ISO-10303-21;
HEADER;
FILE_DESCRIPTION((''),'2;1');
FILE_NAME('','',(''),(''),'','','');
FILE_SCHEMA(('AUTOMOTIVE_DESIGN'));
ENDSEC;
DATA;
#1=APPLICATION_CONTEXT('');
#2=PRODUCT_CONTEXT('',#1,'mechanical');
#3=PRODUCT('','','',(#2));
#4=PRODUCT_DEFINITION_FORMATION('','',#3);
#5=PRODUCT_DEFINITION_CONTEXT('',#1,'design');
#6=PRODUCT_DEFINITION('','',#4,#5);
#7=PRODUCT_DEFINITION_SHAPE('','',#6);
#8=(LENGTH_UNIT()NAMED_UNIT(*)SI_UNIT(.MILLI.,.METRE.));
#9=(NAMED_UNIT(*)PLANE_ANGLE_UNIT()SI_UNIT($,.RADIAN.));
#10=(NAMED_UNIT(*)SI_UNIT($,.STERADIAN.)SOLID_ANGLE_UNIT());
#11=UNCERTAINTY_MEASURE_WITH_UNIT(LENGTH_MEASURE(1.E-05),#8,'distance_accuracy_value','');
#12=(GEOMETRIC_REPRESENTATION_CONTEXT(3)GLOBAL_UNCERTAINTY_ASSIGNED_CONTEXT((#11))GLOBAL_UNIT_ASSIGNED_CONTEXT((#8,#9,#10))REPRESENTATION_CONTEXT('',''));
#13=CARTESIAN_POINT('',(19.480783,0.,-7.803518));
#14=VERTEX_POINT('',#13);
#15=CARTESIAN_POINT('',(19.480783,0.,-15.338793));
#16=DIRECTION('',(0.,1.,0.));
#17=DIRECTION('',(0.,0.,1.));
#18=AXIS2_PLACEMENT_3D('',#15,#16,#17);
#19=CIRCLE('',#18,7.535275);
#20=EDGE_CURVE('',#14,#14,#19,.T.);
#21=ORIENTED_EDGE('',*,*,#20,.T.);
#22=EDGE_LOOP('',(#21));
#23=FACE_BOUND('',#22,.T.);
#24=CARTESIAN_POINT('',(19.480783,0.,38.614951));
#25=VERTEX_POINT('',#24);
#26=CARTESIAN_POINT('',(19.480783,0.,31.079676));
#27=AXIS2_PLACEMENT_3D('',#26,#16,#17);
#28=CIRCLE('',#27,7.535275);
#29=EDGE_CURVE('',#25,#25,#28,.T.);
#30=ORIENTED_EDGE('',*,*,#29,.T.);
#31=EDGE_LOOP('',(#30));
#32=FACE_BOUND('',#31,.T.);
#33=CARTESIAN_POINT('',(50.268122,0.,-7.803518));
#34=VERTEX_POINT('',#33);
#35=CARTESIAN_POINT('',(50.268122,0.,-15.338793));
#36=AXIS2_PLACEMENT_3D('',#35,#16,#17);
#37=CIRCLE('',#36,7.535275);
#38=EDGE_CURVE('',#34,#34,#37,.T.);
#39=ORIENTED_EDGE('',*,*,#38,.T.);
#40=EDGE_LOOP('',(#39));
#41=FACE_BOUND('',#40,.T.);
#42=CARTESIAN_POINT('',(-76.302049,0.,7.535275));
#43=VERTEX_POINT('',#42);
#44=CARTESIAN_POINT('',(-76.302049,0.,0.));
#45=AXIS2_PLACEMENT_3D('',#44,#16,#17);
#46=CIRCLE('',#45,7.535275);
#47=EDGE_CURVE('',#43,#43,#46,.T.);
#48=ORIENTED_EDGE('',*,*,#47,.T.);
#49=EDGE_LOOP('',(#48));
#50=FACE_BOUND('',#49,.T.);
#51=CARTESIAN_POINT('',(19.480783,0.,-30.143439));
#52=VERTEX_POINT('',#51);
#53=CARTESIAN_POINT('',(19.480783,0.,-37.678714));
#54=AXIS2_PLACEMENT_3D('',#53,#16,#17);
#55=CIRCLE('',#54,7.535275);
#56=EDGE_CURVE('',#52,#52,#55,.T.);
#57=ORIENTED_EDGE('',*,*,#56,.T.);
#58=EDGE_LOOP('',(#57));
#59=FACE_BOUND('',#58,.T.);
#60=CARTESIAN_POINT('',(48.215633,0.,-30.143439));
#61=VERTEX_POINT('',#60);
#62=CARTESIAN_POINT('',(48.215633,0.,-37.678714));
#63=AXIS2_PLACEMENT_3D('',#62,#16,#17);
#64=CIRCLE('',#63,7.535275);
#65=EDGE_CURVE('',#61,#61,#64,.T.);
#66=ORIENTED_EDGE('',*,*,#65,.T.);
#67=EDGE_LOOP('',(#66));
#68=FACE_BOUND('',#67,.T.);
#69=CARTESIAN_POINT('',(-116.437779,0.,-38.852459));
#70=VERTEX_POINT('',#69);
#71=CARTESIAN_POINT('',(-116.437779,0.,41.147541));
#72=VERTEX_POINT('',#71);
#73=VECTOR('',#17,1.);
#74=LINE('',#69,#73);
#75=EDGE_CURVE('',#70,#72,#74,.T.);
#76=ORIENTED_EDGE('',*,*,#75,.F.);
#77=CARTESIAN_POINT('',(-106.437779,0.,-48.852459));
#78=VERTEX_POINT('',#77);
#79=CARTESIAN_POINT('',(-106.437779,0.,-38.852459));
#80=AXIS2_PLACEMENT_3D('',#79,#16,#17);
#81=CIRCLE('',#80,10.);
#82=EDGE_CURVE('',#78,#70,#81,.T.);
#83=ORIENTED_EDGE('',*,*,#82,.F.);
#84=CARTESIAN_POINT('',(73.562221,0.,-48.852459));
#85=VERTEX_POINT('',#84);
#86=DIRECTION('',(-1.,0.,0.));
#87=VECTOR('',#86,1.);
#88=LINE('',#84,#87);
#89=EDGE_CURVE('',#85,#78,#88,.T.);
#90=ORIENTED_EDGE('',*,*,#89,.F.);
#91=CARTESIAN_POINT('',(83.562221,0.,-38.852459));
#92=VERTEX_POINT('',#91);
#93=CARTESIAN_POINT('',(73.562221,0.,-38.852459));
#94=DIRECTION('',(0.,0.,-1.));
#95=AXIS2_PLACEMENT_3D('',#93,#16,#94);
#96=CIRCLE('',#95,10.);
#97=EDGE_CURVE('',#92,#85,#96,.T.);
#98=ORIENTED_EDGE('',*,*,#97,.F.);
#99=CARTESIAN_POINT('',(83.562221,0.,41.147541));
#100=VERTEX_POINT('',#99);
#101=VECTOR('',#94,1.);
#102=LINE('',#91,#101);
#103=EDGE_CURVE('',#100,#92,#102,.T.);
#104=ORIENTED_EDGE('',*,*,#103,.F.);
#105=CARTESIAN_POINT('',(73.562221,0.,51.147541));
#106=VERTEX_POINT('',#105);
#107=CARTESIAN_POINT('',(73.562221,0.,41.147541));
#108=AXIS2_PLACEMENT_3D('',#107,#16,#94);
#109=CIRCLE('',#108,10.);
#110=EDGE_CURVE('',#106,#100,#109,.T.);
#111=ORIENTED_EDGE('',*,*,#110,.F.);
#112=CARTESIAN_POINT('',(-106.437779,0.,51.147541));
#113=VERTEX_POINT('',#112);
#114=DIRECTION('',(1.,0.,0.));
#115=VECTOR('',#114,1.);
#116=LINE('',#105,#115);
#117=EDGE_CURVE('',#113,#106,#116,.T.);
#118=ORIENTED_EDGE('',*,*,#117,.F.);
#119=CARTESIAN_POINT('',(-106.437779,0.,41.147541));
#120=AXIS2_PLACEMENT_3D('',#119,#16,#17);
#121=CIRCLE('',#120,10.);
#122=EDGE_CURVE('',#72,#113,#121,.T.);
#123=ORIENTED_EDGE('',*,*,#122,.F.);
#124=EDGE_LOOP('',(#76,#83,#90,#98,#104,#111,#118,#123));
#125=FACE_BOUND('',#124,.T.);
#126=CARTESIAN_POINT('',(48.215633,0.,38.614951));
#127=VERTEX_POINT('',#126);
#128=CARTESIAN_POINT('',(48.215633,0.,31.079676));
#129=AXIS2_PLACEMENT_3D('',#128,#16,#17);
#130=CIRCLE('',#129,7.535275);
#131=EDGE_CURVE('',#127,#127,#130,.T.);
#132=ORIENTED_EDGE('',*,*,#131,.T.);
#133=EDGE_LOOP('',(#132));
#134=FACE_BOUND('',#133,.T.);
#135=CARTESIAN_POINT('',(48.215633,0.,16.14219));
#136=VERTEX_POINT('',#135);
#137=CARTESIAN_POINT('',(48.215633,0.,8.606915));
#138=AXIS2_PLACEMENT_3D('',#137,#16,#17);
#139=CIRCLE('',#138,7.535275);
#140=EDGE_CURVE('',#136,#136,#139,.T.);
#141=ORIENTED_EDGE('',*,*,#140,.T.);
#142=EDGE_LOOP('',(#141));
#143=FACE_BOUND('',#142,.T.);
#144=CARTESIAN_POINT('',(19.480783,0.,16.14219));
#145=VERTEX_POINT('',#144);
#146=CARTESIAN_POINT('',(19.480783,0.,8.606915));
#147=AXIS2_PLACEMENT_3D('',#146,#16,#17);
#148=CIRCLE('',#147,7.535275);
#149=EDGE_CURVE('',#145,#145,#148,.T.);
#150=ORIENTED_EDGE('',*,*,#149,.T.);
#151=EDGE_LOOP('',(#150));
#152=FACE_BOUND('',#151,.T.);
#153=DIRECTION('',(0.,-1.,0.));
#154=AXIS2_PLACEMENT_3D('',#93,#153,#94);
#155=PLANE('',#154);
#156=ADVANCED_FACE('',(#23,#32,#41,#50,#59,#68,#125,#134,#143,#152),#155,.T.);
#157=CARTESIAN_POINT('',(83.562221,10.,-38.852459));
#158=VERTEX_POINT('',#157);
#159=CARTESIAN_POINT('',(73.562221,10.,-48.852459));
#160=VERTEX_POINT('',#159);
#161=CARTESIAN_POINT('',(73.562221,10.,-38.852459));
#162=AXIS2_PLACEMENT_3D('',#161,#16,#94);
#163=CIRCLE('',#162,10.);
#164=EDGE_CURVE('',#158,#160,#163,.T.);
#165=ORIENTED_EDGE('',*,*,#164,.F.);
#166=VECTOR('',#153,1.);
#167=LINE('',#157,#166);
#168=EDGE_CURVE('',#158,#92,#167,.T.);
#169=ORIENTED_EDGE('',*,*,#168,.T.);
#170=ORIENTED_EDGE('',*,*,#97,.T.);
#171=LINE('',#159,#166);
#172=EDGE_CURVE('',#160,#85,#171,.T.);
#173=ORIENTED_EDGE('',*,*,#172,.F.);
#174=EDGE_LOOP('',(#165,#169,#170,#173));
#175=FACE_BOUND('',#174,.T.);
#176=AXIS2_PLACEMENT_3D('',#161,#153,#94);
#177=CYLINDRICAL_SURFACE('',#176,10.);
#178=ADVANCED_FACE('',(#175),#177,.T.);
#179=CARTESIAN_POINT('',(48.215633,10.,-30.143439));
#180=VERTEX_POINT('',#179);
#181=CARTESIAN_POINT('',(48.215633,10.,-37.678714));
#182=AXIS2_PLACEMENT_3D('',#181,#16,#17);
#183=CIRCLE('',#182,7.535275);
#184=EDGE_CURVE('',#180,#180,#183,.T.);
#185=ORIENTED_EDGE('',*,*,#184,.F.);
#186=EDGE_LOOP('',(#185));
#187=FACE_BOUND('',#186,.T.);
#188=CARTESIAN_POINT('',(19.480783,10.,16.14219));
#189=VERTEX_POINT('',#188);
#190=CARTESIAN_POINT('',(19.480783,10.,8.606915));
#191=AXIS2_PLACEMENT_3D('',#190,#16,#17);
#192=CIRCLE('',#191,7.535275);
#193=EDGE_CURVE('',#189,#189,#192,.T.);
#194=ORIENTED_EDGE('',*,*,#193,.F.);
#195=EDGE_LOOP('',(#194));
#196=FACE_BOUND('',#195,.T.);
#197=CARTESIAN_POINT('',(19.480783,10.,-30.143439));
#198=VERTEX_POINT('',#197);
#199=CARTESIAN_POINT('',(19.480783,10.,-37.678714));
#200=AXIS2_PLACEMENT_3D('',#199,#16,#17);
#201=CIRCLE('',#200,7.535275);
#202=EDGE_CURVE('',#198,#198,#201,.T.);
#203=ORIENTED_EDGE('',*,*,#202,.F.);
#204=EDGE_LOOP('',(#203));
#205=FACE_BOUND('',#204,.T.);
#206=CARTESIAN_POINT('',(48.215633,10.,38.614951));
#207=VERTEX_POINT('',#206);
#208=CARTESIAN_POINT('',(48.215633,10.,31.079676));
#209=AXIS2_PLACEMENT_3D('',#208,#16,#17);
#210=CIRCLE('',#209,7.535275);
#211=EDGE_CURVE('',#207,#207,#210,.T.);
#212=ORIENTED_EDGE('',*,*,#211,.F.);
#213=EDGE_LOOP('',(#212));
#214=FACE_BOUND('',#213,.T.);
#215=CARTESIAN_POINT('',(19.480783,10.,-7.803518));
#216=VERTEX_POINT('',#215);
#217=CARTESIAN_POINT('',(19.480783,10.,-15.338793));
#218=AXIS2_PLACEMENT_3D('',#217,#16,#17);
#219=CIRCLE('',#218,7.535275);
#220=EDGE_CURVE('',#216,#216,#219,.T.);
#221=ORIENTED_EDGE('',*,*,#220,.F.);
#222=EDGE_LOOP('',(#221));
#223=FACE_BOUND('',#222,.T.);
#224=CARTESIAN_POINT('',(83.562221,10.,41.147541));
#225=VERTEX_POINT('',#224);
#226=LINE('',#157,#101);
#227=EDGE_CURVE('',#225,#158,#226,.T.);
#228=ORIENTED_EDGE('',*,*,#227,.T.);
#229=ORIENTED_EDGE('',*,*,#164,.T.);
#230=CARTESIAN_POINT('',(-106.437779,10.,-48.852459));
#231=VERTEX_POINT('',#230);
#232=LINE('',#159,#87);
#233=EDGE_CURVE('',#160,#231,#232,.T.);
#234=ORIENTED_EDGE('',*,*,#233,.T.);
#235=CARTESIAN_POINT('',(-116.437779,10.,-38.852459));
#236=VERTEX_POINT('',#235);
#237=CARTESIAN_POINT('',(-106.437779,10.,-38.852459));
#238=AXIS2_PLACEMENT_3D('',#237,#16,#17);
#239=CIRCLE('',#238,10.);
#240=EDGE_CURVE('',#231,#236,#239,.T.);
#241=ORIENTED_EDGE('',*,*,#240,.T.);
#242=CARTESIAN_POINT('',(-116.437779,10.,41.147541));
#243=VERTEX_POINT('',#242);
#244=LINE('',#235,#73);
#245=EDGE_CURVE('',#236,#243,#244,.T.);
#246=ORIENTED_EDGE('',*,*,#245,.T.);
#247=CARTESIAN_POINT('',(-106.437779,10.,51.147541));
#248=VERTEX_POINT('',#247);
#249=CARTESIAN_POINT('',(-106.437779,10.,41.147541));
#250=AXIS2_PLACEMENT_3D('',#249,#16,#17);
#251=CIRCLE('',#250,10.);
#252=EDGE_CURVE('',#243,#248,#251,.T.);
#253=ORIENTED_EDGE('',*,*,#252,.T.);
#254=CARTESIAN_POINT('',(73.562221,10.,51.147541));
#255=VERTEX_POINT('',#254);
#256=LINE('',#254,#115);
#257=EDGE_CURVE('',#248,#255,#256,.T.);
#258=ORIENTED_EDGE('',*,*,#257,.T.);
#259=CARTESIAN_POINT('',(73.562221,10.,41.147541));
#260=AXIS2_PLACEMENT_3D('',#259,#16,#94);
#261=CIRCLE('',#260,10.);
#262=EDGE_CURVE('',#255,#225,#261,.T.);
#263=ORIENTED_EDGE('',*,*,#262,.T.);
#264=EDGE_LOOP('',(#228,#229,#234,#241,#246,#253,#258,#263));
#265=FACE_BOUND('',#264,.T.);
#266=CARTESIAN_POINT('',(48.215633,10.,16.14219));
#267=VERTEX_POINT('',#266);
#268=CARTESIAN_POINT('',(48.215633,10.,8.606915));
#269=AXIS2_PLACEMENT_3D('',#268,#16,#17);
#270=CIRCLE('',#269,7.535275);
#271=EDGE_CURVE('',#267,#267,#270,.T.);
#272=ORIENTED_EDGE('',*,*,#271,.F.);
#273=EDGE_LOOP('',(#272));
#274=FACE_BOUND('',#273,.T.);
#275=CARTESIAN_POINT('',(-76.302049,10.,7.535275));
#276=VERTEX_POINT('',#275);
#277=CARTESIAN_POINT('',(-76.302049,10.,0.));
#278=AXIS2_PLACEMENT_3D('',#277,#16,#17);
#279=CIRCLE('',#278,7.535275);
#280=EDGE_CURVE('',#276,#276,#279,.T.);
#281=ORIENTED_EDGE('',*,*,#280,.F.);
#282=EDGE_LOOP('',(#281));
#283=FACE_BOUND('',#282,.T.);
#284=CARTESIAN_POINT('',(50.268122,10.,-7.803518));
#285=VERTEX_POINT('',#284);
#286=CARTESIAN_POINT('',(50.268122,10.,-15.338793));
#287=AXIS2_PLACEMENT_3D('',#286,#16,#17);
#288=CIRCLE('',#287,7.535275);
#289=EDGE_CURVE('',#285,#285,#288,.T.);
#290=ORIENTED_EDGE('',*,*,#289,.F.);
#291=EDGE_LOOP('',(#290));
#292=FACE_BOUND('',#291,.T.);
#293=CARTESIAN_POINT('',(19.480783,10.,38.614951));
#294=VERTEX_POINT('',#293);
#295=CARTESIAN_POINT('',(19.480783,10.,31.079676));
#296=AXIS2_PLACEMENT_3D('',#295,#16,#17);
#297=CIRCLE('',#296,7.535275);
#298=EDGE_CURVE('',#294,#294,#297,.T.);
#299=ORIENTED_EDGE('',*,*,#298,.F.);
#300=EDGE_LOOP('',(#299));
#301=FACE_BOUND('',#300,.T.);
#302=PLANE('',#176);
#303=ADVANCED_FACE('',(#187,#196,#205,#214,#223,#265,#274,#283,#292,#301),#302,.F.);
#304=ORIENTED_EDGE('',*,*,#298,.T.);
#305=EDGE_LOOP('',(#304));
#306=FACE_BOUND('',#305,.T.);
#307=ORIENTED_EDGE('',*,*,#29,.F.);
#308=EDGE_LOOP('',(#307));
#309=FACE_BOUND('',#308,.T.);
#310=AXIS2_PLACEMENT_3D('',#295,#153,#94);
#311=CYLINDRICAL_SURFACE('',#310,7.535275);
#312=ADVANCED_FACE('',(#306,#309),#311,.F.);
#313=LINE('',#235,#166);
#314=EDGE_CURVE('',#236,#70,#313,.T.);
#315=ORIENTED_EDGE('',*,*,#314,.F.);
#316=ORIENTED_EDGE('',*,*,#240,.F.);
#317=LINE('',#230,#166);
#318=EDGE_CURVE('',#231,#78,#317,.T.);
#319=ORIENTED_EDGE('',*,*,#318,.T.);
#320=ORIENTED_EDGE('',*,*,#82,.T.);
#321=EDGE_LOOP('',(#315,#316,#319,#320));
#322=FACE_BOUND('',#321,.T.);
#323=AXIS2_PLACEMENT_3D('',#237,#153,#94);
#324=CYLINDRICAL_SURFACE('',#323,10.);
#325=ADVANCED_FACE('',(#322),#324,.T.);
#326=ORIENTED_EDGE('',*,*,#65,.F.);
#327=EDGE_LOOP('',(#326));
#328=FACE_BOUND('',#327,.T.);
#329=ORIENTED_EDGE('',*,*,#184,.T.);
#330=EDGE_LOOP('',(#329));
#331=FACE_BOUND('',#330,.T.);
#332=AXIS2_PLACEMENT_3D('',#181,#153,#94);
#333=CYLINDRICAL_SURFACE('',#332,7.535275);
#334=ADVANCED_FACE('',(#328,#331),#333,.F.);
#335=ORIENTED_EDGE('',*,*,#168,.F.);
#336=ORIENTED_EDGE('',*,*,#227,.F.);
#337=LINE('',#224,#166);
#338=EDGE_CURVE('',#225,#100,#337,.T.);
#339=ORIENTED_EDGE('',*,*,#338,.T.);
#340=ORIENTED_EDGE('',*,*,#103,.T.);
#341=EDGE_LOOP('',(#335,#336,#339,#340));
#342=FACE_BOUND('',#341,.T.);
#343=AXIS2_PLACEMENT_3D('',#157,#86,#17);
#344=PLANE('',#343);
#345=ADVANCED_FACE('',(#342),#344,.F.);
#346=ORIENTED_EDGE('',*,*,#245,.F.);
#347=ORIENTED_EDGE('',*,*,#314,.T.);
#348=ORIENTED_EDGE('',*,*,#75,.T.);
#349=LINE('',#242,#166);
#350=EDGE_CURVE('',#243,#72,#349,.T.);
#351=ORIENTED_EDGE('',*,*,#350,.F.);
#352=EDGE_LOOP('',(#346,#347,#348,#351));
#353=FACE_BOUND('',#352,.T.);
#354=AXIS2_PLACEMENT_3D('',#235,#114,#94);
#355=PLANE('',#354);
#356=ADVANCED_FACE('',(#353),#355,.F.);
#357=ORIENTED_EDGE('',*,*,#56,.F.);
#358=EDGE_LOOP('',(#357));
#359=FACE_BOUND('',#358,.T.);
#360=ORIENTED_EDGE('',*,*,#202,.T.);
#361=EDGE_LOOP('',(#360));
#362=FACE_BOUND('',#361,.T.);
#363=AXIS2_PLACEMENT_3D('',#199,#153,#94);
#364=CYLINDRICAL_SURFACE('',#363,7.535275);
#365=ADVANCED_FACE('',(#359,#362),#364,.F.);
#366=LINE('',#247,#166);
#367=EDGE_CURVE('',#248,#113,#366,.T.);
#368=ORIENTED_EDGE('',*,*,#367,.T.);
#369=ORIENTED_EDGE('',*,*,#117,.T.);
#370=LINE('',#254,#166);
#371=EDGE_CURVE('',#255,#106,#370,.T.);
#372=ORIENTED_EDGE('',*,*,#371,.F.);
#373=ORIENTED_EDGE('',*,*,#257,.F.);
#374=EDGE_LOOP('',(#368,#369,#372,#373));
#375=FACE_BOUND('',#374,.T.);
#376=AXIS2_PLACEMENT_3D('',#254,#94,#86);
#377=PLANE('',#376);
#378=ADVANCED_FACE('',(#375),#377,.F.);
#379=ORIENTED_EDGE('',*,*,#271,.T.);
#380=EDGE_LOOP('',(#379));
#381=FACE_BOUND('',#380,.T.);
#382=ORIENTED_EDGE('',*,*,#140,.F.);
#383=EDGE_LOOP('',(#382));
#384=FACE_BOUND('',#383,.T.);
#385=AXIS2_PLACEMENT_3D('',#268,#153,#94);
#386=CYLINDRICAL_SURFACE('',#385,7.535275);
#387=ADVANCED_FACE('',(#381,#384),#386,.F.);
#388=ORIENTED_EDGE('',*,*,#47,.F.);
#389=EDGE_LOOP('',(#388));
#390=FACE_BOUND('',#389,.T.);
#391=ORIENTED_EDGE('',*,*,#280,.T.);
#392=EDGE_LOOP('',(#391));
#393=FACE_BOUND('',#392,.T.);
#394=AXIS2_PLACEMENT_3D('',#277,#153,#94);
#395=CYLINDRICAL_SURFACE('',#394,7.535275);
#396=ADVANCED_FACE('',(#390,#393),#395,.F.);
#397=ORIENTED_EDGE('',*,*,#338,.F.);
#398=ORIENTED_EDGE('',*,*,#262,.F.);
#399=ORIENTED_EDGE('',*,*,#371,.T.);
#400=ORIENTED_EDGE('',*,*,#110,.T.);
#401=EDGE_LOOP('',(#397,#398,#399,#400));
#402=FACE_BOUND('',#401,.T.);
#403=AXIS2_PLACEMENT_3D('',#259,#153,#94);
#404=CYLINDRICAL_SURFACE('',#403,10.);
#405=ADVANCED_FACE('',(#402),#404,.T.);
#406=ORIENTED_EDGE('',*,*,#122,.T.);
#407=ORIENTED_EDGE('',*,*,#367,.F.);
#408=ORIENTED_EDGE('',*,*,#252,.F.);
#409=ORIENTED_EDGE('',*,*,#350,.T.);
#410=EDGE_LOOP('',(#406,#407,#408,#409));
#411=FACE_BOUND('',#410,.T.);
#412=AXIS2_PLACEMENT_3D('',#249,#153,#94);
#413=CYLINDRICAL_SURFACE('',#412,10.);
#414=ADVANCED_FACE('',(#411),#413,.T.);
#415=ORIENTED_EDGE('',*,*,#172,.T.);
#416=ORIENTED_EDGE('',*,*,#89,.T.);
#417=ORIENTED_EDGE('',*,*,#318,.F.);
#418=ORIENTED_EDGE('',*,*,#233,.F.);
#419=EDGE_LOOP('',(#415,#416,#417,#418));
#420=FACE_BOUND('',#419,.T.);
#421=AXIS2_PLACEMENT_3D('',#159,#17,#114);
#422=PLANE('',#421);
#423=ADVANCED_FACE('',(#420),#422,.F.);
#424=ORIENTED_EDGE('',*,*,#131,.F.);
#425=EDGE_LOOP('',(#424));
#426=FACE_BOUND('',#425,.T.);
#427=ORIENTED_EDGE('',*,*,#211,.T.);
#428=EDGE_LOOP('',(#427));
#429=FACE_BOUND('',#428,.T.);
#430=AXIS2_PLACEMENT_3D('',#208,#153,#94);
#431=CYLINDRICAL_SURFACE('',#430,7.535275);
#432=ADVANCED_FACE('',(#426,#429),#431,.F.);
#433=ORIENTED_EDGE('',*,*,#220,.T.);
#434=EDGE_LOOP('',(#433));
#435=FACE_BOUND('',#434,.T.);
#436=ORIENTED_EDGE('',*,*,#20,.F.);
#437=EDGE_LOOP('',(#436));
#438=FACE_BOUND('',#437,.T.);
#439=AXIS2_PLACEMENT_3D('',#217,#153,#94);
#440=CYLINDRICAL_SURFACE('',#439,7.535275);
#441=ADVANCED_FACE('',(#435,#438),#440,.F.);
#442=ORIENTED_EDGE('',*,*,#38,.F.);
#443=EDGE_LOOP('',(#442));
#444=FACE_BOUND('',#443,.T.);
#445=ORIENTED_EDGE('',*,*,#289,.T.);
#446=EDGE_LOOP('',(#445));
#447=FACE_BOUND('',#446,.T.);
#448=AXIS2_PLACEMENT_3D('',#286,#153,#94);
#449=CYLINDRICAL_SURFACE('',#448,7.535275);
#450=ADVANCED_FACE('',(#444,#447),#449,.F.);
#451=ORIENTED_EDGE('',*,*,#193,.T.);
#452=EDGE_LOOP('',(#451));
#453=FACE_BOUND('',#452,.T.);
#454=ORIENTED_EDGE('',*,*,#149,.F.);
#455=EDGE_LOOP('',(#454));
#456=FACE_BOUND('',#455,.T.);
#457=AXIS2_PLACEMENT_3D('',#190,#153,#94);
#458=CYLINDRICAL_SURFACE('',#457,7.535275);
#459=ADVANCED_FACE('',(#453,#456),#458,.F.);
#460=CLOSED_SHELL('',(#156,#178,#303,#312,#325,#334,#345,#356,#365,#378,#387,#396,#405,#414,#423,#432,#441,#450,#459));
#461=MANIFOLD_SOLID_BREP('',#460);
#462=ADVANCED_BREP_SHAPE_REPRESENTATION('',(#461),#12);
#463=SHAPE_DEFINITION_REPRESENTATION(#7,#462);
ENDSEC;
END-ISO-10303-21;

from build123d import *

# Parameters (mm, degrees)
BOSS_EXTRUDE1_DEPTH = 10
SKETCH3_R           = 7.535275438
CUT_EXTRUDE10_DEPTH = 10


with BuildPart() as part:
    # Sketch1 → Boss-Extrude1 (new body)
    with BuildSketch(Plane(origin=(0, 0, 0), x_dir=(1, 0, 0), z_dir=(0, 1, 0))):
        with BuildLine():
            Line((73.562221188, 48.852459016), (-106.437778812, 48.852459016))
            ThreePointArc((-106.437778812, 48.852459016), (-113.508846624, 45.923526828), (-116.437778812, 38.852459016))
            Line((-116.437778812, 38.852459016), (-116.437778812, -41.147540984))
            ThreePointArc((-116.437778812, -41.147540984), (-113.508846624, -48.218608795), (-106.437778812, -51.147540984))
            Line((-106.437778812, -51.147540984), (73.562221188, -51.147540984))
            ThreePointArc((73.562221188, -51.147540984), (80.633289, -48.218608795), (83.562221188, -41.147540984))
            Line((83.562221188, -41.147540984), (83.562221188, 38.852459016))
            ThreePointArc((83.562221188, 38.852459016), (80.633289, 45.923526828), (73.562221188, 48.852459016))
        make_face()
    extrude(amount=BOSS_EXTRUDE1_DEPTH)

    # Sketch3 → Cut-Extrude10 (cut)
    with BuildSketch(Plane(origin=(0, 0, 0), x_dir=(1, 0, 0), z_dir=(0, 1, 0))):
        with Locations((48.215632939, 37.678714221)):
            Circle(SKETCH3_R)
        with Locations((19.480783272, 37.678714221)):
            Circle(SKETCH3_R)
        with Locations((48.215632939, -31.079676053)):
            Circle(SKETCH3_R)
        with Locations((19.480783272, -31.079676053)):
            Circle(SKETCH3_R)
        with Locations((-76.302048951, 0)):
            Circle(SKETCH3_R)
        with Locations((19.480783272, -8.606914665)):
            Circle(SKETCH3_R)
        with Locations((48.215632939, -8.606914665)):
            Circle(SKETCH3_R)
        with Locations((19.480783272, 15.338793391)):
            Circle(SKETCH3_R)
        with Locations((50.268122201, 15.338793391)):
            Circle(SKETCH3_R)
    extrude(amount=CUT_EXTRUDE10_DEPTH, mode=Mode.SUBTRACT)


solid = part.part
